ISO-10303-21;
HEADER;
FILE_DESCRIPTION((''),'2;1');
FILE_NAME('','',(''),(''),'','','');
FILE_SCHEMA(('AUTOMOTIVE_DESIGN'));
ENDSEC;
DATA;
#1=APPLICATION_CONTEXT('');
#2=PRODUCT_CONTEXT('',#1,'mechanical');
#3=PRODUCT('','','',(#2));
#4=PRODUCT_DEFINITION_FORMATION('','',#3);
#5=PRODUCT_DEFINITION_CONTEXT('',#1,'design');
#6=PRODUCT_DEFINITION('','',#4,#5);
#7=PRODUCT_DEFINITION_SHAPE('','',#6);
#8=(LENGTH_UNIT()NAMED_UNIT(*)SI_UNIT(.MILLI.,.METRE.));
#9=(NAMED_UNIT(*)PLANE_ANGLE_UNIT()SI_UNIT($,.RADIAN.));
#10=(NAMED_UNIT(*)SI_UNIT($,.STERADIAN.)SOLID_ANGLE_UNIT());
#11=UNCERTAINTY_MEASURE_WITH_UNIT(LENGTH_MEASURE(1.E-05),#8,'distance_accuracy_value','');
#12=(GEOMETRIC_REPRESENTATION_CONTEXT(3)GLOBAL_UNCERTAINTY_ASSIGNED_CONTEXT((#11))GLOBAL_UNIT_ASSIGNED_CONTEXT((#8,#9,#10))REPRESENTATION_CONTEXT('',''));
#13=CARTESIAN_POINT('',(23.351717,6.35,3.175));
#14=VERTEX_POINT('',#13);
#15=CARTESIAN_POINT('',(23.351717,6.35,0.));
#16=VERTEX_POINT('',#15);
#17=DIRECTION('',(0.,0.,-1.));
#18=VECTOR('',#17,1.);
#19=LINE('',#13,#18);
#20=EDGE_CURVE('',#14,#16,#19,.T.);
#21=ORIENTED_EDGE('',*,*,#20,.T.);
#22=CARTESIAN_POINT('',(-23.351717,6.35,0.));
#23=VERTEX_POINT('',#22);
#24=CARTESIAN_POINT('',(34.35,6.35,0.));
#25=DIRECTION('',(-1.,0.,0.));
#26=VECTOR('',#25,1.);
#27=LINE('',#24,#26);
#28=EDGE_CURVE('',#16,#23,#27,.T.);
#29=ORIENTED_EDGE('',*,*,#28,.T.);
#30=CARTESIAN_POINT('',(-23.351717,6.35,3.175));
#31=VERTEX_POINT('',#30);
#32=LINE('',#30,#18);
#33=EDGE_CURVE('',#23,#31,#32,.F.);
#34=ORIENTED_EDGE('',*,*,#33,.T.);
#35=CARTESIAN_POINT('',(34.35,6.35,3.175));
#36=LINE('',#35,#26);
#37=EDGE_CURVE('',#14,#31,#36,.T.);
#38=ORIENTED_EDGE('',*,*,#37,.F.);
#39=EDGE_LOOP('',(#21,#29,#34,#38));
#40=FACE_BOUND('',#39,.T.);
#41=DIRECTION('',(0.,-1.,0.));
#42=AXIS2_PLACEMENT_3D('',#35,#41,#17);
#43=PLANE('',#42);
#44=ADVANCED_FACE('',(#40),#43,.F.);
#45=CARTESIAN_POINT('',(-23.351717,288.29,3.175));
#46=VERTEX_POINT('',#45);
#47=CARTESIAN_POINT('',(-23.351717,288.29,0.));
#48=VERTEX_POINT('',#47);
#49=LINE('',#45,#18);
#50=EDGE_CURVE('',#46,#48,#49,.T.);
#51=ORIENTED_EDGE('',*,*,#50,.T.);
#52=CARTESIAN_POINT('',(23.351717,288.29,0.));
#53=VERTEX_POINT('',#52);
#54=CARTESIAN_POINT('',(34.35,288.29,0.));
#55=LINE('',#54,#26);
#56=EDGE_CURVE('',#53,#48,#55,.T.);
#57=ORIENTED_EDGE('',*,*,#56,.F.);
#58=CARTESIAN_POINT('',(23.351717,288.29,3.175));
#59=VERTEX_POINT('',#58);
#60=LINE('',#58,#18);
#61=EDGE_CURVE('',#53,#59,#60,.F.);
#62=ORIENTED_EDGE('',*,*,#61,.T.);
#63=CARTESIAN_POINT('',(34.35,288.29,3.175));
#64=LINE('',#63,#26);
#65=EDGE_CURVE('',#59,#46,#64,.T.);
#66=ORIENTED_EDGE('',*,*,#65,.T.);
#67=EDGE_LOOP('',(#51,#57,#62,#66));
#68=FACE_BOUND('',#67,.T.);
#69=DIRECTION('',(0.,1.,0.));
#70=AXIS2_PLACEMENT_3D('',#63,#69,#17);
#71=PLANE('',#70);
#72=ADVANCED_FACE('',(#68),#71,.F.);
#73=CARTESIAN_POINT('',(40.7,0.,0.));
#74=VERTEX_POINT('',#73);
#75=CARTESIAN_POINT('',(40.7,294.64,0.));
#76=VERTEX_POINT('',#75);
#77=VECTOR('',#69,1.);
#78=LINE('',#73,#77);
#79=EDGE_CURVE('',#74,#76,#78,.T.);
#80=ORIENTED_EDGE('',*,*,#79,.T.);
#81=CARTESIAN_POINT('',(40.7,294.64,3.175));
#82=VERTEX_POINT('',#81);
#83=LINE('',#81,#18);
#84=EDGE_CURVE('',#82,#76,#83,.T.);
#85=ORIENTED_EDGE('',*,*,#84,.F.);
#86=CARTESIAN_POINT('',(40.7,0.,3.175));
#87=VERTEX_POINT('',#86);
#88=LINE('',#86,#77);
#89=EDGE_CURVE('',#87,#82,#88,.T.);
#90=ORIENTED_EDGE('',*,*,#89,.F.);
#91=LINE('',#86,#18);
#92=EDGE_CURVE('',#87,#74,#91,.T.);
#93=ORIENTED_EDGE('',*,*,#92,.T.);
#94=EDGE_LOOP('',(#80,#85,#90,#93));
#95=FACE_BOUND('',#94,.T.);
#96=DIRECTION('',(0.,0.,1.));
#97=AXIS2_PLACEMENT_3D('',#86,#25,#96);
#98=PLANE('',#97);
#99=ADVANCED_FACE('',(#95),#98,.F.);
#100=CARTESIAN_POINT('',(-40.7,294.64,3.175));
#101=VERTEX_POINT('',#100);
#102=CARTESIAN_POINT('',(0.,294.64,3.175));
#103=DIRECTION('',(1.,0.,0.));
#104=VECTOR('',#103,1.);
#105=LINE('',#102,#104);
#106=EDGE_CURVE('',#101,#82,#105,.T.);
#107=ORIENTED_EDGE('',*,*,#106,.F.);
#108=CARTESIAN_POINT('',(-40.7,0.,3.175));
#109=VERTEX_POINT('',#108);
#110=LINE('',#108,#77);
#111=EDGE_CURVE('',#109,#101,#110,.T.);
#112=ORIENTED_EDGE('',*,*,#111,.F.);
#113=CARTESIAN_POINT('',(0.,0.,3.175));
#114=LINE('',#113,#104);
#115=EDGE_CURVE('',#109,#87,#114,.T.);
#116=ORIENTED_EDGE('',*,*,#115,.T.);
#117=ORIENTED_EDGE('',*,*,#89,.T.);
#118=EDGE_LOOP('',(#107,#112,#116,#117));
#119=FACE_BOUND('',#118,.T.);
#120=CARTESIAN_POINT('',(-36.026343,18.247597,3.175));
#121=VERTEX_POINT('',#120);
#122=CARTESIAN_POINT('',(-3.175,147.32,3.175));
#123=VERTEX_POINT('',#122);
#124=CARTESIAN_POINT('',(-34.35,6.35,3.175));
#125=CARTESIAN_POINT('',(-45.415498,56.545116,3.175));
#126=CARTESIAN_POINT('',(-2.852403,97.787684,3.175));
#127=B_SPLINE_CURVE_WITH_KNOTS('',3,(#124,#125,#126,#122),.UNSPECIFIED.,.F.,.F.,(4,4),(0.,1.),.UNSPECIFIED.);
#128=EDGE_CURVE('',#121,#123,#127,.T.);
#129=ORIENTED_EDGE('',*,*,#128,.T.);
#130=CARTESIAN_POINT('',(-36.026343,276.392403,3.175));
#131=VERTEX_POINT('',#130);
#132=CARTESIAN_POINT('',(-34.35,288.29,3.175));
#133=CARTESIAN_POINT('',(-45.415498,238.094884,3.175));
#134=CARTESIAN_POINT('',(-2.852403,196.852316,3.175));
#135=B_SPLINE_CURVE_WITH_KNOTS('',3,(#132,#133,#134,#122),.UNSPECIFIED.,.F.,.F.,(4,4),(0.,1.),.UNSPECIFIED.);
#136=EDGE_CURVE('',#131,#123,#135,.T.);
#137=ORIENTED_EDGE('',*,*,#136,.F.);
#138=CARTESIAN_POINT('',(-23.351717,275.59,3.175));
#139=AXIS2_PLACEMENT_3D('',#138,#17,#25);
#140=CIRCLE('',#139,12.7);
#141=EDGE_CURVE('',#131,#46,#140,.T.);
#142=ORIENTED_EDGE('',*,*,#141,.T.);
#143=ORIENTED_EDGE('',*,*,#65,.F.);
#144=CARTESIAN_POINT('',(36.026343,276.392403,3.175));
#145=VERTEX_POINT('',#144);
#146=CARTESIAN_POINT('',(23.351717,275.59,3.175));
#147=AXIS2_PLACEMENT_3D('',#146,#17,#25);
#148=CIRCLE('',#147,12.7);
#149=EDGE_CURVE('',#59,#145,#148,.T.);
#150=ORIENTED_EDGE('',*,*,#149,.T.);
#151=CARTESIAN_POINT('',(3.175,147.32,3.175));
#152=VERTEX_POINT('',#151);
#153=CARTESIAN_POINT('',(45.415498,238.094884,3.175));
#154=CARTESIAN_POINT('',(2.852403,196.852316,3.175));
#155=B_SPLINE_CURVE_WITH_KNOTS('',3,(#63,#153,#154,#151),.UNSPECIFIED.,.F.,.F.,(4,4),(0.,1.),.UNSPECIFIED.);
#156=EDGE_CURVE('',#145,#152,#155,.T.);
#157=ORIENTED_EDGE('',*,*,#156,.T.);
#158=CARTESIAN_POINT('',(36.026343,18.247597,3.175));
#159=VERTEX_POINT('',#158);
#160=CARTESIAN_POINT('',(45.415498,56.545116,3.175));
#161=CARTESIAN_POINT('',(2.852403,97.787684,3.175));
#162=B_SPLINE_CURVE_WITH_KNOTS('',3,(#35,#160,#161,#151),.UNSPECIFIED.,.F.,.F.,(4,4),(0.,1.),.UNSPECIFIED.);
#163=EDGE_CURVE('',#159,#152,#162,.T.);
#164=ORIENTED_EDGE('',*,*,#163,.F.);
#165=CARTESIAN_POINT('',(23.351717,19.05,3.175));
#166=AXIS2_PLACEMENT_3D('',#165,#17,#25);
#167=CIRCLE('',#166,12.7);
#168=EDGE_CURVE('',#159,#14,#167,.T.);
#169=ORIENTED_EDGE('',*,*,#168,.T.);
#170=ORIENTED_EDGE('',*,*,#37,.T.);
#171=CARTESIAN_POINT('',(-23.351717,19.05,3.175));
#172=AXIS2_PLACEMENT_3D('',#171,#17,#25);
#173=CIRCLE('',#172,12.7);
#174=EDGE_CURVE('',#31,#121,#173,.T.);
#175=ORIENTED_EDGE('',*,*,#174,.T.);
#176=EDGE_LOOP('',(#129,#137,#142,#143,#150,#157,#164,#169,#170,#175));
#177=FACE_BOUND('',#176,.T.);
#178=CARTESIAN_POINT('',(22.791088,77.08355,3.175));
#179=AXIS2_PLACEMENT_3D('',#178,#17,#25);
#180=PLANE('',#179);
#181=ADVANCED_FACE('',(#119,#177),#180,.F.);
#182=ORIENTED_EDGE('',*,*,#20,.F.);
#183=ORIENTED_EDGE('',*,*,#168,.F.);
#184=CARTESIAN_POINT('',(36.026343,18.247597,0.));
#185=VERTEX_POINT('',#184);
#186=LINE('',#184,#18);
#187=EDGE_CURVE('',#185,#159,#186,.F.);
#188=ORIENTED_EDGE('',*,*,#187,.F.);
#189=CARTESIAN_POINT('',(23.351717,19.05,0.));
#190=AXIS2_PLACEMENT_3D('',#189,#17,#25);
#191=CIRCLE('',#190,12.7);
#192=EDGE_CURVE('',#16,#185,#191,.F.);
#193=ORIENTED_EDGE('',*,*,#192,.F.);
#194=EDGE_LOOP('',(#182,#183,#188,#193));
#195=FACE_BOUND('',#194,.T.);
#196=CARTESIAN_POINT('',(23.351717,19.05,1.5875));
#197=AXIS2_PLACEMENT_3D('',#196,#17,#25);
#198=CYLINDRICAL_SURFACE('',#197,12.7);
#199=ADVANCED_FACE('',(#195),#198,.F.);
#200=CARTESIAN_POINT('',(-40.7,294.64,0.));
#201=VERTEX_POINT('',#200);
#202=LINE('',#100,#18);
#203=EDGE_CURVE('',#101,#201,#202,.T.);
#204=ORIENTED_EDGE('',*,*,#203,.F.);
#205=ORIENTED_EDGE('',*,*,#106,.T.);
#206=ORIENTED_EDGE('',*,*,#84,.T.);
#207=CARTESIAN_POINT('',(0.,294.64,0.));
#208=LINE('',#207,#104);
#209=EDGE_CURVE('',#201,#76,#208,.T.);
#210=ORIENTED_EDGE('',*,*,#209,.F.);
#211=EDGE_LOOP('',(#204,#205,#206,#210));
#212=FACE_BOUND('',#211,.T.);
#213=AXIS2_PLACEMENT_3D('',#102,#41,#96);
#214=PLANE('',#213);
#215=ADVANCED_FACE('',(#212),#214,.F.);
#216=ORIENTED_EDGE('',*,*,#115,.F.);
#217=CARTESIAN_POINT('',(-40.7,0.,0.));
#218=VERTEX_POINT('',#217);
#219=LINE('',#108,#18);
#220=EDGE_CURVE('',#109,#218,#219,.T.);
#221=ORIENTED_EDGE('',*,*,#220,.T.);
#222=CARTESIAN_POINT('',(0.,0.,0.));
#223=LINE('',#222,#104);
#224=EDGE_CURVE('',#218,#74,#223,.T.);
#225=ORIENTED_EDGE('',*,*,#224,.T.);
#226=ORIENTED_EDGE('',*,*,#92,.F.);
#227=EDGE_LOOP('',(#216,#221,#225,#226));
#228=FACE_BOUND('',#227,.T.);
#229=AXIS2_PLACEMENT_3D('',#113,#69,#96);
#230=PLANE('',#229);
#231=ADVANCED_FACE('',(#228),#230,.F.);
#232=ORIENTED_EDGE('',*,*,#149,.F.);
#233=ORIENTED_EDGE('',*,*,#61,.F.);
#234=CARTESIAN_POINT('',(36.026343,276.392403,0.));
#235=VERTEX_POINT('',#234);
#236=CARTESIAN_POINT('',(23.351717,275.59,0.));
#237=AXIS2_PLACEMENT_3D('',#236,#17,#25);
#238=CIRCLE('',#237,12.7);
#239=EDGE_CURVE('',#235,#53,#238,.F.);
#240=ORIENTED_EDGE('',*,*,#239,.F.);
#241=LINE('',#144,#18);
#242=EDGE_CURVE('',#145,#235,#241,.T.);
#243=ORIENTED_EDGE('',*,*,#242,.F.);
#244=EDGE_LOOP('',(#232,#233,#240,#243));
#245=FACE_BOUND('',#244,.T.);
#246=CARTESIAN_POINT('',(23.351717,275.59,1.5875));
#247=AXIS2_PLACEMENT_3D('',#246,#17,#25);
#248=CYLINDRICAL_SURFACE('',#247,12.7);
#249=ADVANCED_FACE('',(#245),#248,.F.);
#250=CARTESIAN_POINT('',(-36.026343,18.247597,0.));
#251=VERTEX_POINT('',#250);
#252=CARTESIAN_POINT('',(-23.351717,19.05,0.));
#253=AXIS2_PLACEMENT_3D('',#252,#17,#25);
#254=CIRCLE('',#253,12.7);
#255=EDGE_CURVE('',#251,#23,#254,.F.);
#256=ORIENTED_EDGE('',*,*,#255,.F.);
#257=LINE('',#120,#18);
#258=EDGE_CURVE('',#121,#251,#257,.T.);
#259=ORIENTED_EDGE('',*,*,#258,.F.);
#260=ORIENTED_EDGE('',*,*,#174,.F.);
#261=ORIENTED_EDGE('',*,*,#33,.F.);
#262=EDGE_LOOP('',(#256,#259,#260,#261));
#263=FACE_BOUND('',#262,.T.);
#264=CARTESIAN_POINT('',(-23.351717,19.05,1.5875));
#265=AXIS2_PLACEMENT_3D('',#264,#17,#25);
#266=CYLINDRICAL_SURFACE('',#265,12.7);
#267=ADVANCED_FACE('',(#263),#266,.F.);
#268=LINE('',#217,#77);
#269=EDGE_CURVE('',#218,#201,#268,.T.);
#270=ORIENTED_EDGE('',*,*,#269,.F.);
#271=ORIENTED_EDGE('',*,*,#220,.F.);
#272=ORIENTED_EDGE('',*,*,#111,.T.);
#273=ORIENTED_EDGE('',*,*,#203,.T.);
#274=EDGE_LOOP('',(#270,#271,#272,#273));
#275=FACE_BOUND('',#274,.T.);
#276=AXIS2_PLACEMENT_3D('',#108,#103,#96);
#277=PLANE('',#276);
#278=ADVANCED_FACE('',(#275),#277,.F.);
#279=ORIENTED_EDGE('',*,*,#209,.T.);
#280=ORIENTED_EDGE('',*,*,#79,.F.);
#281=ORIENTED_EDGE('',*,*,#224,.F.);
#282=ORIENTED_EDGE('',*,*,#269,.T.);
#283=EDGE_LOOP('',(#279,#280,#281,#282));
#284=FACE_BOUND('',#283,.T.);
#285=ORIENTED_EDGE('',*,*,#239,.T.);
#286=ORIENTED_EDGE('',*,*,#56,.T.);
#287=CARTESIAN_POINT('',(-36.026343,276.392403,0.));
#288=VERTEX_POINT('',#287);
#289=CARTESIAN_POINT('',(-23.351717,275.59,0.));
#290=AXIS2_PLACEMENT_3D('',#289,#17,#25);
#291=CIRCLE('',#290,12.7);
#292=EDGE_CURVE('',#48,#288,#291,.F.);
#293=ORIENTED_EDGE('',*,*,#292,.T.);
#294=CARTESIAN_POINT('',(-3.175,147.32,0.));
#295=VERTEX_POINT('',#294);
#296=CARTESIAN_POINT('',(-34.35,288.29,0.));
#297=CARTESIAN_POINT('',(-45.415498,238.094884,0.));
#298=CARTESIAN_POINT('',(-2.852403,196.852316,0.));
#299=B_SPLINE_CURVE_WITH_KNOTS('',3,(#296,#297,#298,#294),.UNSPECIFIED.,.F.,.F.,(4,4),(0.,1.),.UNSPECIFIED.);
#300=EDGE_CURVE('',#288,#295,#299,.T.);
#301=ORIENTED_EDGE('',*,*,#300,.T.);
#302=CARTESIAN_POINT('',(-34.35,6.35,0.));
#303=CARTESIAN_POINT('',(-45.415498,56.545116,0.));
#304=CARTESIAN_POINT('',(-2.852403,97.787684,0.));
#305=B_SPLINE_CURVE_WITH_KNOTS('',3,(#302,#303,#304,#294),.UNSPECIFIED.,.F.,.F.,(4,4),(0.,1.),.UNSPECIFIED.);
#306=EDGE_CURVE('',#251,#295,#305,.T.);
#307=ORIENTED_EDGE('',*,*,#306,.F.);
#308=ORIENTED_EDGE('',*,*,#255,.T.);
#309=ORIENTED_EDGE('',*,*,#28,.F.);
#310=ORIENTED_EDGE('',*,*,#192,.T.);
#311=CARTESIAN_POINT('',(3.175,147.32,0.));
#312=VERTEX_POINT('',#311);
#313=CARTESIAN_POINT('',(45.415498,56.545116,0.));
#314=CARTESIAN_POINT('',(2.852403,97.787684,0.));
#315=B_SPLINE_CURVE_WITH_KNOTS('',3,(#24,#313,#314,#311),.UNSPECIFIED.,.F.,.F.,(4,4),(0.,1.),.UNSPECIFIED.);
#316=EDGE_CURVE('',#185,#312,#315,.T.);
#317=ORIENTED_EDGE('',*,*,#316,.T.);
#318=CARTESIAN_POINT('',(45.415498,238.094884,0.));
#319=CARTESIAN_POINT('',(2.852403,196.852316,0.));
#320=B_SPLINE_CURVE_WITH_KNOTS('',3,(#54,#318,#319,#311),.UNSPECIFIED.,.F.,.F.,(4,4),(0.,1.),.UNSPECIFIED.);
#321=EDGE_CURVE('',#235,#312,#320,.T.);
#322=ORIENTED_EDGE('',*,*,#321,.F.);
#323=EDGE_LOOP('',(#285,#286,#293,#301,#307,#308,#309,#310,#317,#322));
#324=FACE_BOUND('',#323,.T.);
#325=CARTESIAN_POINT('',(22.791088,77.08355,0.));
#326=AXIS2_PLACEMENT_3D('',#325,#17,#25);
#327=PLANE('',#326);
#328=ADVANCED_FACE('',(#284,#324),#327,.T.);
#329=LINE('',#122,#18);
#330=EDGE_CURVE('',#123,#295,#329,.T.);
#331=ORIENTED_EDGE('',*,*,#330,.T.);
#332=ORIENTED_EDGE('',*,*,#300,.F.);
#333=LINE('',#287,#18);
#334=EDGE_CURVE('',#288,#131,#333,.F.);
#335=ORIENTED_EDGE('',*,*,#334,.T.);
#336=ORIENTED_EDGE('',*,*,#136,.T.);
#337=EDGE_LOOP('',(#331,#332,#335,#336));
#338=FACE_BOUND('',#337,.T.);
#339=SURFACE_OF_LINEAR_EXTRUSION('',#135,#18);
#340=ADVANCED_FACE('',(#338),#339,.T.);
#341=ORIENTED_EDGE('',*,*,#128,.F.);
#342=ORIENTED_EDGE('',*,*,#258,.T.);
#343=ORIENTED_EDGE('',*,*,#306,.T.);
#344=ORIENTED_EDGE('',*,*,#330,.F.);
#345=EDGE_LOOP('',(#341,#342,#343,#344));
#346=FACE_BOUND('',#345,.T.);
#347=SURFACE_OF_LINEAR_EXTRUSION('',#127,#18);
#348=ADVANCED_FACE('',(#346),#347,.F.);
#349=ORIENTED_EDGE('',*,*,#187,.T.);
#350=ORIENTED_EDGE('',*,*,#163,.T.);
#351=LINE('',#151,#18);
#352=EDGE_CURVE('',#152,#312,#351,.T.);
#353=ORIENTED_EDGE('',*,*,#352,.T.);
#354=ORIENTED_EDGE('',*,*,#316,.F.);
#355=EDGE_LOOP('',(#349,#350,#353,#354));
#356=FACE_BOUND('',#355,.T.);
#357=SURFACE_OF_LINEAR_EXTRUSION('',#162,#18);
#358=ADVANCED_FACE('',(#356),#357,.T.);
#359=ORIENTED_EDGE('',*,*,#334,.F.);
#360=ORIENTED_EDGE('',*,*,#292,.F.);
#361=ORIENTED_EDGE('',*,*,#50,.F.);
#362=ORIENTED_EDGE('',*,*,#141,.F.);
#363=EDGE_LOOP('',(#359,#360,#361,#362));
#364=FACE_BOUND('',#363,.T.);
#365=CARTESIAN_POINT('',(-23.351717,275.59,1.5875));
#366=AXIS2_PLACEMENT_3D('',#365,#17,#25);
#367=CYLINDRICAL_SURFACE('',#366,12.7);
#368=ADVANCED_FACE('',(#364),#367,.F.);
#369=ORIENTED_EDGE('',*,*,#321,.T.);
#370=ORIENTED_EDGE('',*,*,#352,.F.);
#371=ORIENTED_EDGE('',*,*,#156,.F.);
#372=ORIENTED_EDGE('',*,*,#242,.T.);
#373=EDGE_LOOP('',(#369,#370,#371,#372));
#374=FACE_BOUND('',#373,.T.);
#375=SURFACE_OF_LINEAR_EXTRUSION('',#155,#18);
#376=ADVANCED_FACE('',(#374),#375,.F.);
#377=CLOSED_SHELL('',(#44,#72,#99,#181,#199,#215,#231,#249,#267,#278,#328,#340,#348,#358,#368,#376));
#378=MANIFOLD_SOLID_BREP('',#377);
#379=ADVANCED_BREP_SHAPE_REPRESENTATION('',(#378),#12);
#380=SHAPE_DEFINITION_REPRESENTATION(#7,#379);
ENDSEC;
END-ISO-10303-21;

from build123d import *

# Parameters (mm, degrees)
BOSS_EXTRUDE1_DEPTH = 3.175
FILLET1_R           = 12.7


with BuildPart() as part:
    # Sketch1 → Boss-Extrude1 (new body)
    with BuildSketch(Plane.XY):
        with BuildLine():
            Line((34.35, 6.35), (0, 6.35))
            Line((0, 6.35), (0, 0))
            Line((0, 0), (40.7, 0))
            Line((40.7, 0), (40.7, 147.32))
            Line((40.7, 147.32), (3.175, 147.32))
            add(Edge.make_bspline(
                [(34.35, 6.35), (45.415498484, 56.545116153), (2.852403288, 97.787684056), (3.175, 147.32)],
                knots=[0, 0, 0, 0, 1, 1, 1, 1], degree=3))
        make_face()
    extrude(amount=BOSS_EXTRUDE1_DEPTH)

    # Mirror1: part across plane


with BuildPart() as part_1:
    add(part.part)
    add(part.part.mirror(Plane(origin=(0, 0, 3.175), x_dir=(0, 0, 1), z_dir=(-1, 0, 0))))

    # Mirror2: part across plane


with BuildPart() as part_2:
    add(part_1.part)
    add(part_1.part.mirror(Plane(origin=(-3.175, 147.32, 3.175), x_dir=(0, 0, 1), z_dir=(0, 1, 0))))

    # Fillet1
    fillet1_edges = [part_2.edges().sort_by_distance(p)[0] for p in [
        (34.35, 6.35, 1.5875),
        (-34.35, 6.35, 1.5875),
        (34.35, 288.29, 1.5875),
        (-34.35, 288.29, 1.5875),
    ]]
    fillet(fillet1_edges, radius=FILLET1_R)


solid = part_2.part
